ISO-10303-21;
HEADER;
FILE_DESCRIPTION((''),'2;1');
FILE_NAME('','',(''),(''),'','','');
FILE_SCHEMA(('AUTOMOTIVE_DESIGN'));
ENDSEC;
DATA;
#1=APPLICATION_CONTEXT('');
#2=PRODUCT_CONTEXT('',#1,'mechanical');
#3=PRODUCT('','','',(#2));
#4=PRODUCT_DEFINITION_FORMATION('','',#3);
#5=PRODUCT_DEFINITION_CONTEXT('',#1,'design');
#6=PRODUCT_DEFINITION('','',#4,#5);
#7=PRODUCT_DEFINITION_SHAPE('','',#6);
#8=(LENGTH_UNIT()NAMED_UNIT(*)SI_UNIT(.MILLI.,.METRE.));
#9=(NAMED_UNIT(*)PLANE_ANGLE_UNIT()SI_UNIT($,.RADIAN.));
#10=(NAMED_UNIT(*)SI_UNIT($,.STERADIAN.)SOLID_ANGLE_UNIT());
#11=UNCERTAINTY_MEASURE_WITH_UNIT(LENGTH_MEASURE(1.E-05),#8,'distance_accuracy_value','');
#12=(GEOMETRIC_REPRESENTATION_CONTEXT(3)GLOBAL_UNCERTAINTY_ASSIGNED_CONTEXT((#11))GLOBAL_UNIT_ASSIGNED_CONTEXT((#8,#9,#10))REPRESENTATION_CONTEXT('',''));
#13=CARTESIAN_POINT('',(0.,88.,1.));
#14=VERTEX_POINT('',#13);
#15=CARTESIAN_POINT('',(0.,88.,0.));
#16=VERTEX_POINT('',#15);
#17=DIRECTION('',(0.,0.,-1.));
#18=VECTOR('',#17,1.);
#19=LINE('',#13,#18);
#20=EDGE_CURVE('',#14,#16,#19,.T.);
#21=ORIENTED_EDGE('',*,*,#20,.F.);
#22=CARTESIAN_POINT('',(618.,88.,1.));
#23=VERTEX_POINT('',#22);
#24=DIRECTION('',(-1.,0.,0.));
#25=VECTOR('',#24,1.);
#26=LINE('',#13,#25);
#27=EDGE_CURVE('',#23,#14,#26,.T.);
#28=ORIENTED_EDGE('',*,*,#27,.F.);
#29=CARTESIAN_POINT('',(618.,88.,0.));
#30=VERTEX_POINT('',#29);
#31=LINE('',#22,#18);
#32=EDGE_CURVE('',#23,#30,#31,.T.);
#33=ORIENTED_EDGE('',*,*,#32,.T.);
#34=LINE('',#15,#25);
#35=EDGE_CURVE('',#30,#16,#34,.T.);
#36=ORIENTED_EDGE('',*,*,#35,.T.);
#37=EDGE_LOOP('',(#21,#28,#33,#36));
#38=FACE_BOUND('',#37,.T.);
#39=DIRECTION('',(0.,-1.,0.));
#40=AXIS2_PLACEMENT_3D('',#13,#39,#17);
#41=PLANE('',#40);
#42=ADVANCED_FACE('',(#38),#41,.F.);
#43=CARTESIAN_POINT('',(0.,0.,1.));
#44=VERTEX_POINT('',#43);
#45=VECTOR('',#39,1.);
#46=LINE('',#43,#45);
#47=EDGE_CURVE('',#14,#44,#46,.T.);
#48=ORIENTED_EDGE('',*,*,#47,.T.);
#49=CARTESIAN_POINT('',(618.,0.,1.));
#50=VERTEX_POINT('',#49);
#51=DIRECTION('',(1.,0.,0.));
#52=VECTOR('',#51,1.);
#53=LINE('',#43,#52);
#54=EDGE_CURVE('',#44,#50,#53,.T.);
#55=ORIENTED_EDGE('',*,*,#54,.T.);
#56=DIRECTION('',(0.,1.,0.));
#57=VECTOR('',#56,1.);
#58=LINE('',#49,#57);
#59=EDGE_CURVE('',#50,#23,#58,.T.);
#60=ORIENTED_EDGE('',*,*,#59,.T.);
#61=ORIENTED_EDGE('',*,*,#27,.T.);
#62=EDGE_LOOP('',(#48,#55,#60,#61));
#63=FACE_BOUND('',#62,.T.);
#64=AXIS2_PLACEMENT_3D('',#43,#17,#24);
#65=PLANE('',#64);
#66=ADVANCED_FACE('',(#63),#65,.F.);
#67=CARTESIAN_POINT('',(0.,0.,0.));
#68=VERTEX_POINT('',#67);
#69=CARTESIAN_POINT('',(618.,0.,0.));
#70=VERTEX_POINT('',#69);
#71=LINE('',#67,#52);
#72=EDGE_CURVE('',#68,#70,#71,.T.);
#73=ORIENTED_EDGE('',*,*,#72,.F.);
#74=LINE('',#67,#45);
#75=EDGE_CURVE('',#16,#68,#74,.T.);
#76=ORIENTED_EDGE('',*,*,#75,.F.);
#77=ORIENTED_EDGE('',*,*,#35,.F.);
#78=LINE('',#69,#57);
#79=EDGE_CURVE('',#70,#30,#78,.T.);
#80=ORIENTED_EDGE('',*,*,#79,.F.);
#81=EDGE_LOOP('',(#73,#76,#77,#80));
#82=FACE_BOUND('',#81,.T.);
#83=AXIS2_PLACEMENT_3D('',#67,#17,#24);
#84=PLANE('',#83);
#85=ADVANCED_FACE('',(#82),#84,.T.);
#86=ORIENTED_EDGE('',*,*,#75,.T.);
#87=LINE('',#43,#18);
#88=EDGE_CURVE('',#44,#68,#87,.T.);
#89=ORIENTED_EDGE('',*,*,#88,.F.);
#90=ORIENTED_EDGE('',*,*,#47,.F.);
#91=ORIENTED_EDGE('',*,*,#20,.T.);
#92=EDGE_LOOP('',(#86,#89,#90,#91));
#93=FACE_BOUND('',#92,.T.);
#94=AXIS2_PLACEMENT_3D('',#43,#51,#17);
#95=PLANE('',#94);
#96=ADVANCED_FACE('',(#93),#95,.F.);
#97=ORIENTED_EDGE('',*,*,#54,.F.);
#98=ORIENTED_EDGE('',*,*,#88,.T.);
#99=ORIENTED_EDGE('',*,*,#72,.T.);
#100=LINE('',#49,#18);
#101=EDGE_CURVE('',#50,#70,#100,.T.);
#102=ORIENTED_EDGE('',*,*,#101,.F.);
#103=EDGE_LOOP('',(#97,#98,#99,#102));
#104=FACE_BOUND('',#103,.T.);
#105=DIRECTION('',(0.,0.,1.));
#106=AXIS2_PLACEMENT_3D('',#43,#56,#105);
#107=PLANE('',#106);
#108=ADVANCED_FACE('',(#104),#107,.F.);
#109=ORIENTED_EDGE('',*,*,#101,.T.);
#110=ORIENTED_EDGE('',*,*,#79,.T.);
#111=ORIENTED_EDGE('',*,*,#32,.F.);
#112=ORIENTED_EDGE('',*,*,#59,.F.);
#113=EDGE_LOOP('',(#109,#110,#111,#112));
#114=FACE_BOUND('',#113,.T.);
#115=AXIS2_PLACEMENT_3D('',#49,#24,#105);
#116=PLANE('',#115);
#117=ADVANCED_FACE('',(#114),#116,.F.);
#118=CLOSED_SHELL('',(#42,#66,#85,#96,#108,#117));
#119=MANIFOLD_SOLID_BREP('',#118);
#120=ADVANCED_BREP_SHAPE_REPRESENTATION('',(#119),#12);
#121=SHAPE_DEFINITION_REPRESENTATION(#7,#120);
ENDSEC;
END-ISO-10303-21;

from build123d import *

# Parameters (mm, degrees)
SKETCH1_W                        = 618
SKETCH1_H                        = 88
CEK_DONMUS_ON_IC_SAC_1_0_1_DEPTH = 1


with BuildPart() as part:
    # Sketch1 → CEK_donmus_on_ic_sac_1.0_1 (new body)
    with BuildSketch(Plane.XY):
        with Locations((309, 44)):
            Rectangle(SKETCH1_W, SKETCH1_H)
    extrude(amount=CEK_DONMUS_ON_IC_SAC_1_0_1_DEPTH)


solid = part.part
